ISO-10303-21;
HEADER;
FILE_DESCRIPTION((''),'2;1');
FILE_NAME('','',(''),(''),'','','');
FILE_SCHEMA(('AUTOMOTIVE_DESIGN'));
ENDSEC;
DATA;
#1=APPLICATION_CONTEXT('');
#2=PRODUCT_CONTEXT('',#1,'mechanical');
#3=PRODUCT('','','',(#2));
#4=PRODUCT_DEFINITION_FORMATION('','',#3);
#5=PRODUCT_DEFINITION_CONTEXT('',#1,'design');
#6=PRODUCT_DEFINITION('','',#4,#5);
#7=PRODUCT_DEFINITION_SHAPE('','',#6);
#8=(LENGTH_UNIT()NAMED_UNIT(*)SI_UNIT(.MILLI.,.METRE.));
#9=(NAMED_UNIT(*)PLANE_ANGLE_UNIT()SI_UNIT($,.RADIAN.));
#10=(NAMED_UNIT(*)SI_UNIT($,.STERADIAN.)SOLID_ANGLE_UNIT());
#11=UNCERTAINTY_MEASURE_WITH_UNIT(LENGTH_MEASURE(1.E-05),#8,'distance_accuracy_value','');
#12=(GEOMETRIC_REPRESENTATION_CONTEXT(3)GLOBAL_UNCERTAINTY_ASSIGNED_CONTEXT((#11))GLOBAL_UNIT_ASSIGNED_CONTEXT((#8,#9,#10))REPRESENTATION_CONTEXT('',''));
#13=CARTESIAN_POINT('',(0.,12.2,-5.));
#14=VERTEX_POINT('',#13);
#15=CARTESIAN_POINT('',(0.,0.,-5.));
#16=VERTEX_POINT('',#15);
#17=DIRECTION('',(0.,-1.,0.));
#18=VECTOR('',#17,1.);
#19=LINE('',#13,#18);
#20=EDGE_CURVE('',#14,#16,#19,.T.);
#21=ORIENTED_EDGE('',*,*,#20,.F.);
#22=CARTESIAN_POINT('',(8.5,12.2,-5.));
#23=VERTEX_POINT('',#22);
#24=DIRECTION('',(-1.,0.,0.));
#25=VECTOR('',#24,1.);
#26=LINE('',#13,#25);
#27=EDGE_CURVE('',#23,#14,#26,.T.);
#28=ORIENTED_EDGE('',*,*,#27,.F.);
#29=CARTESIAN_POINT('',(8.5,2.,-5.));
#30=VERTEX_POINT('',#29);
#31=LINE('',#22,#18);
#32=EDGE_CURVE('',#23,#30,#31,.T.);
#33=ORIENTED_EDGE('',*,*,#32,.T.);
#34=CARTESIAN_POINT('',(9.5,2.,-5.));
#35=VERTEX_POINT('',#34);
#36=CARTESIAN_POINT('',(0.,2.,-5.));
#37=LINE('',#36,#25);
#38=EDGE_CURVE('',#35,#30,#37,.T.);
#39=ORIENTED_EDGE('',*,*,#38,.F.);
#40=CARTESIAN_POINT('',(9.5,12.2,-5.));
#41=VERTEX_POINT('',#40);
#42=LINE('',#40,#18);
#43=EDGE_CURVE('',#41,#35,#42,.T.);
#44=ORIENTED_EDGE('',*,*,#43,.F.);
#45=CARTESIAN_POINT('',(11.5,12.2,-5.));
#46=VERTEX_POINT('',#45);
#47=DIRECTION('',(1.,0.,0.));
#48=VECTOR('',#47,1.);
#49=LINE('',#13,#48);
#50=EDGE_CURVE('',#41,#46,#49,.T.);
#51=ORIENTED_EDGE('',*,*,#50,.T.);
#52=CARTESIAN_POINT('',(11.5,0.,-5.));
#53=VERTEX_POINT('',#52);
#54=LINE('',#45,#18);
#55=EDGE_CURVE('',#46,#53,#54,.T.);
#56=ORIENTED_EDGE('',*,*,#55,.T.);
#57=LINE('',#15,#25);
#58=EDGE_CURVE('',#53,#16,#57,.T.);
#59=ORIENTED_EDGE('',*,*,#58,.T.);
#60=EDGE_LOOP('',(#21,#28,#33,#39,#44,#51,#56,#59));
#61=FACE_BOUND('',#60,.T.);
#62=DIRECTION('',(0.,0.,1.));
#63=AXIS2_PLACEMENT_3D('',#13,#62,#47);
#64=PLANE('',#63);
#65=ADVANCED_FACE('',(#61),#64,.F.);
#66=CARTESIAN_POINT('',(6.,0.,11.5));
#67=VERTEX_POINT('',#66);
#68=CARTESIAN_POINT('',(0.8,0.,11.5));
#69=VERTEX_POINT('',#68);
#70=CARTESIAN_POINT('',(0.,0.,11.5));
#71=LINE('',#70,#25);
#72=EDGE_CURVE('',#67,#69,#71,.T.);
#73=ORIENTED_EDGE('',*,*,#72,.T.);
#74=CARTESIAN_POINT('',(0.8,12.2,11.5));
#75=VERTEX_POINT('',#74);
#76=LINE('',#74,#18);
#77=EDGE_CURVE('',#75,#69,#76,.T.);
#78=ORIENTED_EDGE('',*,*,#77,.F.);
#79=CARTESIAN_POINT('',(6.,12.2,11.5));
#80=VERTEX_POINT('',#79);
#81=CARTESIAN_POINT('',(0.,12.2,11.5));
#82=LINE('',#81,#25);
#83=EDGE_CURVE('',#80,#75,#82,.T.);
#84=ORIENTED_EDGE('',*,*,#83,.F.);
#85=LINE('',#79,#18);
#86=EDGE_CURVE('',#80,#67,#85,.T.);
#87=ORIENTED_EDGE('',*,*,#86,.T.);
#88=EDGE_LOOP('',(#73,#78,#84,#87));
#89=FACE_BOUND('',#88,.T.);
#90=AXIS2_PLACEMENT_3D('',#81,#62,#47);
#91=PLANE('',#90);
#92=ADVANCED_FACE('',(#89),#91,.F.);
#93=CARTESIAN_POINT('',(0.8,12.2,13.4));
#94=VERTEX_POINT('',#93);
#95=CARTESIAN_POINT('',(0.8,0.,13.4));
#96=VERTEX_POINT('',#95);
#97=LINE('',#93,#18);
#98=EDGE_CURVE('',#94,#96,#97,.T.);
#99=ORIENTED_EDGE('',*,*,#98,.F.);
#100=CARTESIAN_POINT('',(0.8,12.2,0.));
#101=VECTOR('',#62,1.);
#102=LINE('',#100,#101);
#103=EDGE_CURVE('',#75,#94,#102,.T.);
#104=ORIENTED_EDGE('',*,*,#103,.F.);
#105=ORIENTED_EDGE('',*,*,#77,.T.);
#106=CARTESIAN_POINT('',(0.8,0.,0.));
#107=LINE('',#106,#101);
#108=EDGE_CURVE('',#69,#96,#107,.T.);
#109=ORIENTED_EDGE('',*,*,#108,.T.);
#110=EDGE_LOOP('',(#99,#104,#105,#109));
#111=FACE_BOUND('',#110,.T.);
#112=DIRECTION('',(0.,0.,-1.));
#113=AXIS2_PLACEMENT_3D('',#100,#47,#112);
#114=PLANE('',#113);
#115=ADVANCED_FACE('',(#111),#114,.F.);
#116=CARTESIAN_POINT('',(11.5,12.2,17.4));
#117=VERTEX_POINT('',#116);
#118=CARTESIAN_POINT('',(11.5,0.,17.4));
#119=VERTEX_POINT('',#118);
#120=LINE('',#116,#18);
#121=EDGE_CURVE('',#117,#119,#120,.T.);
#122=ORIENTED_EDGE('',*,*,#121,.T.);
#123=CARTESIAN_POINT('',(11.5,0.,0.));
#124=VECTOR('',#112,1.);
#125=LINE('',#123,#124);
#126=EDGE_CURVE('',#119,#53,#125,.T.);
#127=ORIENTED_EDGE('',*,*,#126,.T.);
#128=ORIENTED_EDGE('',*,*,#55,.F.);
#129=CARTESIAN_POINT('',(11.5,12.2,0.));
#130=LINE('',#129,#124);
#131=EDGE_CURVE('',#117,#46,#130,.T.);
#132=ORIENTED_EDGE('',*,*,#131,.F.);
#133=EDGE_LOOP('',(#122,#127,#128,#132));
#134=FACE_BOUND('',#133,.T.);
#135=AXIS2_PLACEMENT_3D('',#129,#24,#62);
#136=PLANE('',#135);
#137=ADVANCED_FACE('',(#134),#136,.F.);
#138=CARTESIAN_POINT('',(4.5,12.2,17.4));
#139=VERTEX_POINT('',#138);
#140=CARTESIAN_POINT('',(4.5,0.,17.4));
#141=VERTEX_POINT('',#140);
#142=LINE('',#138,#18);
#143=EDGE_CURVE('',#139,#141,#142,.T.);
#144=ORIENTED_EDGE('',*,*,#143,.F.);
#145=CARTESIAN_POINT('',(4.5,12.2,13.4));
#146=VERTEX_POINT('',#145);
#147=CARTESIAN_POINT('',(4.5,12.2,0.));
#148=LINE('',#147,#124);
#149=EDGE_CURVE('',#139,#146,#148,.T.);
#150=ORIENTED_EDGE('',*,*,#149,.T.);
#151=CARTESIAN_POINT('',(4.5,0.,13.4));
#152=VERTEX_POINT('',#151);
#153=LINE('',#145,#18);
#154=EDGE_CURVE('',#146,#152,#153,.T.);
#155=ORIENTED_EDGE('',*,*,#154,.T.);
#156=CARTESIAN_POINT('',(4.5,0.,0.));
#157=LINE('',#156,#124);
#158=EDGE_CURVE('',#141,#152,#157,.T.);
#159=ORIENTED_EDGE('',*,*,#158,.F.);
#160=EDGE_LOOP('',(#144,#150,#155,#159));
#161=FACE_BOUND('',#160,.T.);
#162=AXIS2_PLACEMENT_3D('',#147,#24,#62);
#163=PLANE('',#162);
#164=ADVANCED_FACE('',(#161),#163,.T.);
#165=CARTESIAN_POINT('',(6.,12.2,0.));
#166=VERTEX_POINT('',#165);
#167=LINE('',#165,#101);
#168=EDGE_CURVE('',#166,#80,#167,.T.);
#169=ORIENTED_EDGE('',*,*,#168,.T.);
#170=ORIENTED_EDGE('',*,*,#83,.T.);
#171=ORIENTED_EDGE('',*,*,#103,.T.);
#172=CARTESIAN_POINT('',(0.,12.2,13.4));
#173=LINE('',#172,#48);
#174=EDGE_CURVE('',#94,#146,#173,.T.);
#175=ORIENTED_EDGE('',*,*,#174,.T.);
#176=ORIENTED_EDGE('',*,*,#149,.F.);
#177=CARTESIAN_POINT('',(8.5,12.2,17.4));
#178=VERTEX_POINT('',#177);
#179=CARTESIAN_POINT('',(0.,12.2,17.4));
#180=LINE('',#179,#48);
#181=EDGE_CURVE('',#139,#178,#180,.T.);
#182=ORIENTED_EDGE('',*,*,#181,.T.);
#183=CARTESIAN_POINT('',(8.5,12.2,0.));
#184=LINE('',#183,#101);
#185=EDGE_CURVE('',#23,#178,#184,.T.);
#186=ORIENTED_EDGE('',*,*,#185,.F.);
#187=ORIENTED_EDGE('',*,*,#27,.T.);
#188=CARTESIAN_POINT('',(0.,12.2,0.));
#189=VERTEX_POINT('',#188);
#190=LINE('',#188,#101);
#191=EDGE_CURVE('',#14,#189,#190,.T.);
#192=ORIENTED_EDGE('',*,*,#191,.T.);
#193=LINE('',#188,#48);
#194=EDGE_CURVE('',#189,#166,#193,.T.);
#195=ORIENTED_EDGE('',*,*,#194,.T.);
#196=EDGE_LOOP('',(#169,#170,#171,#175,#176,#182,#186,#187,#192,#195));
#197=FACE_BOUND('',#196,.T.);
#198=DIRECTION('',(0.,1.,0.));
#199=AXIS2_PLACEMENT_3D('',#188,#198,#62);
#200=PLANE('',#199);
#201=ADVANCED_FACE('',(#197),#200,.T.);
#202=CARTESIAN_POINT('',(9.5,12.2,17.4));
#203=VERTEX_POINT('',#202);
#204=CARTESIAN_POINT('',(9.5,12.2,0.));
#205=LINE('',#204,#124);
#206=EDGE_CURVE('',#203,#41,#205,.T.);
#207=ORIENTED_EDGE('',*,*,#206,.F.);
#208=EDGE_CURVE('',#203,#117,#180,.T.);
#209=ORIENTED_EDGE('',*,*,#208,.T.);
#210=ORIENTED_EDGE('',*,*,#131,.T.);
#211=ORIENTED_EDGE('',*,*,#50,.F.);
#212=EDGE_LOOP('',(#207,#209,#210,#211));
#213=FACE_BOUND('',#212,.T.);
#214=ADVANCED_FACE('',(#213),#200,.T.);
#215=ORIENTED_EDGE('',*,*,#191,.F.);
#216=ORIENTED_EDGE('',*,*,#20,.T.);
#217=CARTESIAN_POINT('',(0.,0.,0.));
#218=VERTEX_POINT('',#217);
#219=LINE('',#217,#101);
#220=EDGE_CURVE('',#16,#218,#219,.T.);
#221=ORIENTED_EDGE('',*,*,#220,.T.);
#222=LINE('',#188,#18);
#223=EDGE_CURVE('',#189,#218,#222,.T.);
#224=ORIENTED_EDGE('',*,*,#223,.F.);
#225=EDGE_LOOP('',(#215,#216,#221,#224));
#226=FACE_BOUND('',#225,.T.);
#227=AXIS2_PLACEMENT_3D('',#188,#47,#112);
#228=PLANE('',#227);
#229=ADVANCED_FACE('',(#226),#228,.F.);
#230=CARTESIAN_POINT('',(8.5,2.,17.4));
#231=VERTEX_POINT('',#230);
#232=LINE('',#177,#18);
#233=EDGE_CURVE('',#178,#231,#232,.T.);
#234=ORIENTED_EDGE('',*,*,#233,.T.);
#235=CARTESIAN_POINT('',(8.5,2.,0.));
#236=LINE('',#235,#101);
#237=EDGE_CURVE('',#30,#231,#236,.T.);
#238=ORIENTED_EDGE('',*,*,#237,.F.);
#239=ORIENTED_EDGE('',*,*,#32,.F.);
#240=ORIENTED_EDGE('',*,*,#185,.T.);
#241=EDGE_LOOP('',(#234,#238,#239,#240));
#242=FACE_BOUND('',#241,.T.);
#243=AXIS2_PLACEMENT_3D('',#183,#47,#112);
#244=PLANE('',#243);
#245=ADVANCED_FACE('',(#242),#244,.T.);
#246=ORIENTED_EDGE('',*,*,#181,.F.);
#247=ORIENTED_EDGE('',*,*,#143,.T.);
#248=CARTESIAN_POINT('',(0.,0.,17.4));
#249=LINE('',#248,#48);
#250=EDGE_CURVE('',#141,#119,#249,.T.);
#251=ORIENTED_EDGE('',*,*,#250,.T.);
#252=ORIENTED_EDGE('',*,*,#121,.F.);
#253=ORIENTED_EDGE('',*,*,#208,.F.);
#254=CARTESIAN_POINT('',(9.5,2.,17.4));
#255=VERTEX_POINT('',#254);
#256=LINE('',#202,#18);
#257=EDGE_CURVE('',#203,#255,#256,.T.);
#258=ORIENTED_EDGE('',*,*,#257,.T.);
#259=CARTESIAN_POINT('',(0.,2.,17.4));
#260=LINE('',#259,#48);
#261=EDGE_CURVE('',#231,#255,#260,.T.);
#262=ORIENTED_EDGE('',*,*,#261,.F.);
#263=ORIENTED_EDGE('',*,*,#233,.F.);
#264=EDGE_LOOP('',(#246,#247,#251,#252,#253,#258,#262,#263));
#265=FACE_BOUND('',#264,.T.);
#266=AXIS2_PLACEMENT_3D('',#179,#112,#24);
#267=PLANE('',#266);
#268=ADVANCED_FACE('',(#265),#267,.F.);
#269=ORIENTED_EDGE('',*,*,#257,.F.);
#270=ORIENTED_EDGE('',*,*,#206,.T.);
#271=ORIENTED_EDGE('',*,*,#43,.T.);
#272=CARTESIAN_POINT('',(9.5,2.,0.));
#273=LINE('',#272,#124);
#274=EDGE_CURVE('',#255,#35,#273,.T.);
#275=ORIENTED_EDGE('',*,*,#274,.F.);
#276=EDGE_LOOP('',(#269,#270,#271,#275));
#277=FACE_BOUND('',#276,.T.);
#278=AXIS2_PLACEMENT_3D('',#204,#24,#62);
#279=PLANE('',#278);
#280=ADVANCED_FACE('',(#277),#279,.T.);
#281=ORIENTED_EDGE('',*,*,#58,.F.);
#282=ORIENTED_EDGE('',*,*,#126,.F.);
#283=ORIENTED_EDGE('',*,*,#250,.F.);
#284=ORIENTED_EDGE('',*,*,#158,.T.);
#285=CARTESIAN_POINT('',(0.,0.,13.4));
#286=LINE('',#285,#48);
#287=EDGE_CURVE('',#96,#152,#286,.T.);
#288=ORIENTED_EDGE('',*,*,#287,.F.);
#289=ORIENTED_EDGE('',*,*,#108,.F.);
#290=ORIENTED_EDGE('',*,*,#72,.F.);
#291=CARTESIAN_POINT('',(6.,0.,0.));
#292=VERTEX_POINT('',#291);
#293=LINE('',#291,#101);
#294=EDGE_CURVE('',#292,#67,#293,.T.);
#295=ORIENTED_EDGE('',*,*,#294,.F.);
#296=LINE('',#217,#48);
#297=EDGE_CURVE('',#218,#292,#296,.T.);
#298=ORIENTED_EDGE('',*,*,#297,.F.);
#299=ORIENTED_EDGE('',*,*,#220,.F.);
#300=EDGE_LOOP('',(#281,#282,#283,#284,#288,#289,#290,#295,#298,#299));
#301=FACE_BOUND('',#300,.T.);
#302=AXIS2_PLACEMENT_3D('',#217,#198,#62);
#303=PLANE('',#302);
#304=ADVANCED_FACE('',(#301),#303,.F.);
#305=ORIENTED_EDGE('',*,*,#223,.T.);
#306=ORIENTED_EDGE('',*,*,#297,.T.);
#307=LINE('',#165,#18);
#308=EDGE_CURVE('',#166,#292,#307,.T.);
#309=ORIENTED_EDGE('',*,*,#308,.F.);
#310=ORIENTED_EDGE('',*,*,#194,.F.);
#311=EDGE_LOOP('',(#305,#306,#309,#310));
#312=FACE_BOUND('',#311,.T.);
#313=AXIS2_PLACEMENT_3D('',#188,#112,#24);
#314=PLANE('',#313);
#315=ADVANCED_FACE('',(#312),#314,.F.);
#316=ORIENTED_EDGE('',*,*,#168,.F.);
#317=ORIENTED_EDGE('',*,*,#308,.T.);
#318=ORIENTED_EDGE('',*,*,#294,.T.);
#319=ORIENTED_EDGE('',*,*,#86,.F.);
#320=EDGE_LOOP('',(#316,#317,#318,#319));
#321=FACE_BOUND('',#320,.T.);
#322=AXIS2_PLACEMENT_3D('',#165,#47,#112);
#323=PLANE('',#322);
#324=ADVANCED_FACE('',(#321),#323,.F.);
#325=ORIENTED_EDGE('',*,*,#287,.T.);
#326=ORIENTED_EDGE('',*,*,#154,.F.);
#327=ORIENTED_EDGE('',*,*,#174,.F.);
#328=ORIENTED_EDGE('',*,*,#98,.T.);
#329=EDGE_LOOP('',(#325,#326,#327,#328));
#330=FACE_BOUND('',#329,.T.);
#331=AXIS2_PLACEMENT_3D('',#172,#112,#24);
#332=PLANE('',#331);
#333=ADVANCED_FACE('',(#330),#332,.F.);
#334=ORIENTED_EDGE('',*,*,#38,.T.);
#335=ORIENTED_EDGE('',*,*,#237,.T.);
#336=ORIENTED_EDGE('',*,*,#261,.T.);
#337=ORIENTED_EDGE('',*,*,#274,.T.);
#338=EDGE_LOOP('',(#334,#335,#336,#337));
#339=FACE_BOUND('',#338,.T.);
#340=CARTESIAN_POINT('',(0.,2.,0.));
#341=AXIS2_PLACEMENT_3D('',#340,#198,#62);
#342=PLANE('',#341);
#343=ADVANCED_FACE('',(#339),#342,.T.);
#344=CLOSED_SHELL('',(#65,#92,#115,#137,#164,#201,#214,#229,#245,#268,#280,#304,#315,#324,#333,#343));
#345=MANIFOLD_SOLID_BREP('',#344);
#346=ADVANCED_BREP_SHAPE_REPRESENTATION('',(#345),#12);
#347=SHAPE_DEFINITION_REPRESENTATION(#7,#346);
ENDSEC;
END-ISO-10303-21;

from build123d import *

# Parameters (mm, degrees)
BOSS_EXTRUDE1_DEPTH   = 12.2
SKETCH1_W             = 2
SKETCH1_H             = 22.4
BOSS_EXTRUDE1_2_DEPTH = 12.2
SKETCH1_4_W           = 1
SKETCH1_4_H           = 22.4
BOSS_EXTRUDE2_DEPTH   = 2


with BuildPart() as part:
    # Sketch1 → Boss-Extrude1 (new body)
    with BuildSketch(Plane(origin=(0, 0, 0), x_dir=(1, 0, 0), z_dir=(0, 1, 0))):
        Polygon((0, 5), (0, 0), (6, 0), (6, -11.5), (0.8, -11.5), (0.8, -13.4), (4.5, -13.4), (4.5, -17.4), (8.5, -17.4), (8.5, 5), align=None)
    extrude(amount=BOSS_EXTRUDE1_DEPTH)



with BuildPart() as body_2:
    # Sketch1 → Boss-Extrude1 2 (new body)
    with BuildSketch(Plane(origin=(0, 0, 0), x_dir=(1, 0, 0), z_dir=(0, 1, 0))):
        with Locations((10.5, -6.2)):
            Rectangle(SKETCH1_W, SKETCH1_H)
    extrude(amount=BOSS_EXTRUDE1_2_DEPTH)


with BuildPart() as part_1:
    add(part.part)

    add(body_2.part)  # Boss-Extrude2 merges body 2
    # Sketch1<4> → Boss-Extrude2 (add)
    with BuildSketch(Plane(origin=(0, 0, 0), x_dir=(1, 0, 0), z_dir=(0, 1, 0))):
        with Locations((9, -6.2)):
            Rectangle(SKETCH1_4_W, SKETCH1_4_H)
    extrude(amount=BOSS_EXTRUDE2_DEPTH)


solid = part_1.part
